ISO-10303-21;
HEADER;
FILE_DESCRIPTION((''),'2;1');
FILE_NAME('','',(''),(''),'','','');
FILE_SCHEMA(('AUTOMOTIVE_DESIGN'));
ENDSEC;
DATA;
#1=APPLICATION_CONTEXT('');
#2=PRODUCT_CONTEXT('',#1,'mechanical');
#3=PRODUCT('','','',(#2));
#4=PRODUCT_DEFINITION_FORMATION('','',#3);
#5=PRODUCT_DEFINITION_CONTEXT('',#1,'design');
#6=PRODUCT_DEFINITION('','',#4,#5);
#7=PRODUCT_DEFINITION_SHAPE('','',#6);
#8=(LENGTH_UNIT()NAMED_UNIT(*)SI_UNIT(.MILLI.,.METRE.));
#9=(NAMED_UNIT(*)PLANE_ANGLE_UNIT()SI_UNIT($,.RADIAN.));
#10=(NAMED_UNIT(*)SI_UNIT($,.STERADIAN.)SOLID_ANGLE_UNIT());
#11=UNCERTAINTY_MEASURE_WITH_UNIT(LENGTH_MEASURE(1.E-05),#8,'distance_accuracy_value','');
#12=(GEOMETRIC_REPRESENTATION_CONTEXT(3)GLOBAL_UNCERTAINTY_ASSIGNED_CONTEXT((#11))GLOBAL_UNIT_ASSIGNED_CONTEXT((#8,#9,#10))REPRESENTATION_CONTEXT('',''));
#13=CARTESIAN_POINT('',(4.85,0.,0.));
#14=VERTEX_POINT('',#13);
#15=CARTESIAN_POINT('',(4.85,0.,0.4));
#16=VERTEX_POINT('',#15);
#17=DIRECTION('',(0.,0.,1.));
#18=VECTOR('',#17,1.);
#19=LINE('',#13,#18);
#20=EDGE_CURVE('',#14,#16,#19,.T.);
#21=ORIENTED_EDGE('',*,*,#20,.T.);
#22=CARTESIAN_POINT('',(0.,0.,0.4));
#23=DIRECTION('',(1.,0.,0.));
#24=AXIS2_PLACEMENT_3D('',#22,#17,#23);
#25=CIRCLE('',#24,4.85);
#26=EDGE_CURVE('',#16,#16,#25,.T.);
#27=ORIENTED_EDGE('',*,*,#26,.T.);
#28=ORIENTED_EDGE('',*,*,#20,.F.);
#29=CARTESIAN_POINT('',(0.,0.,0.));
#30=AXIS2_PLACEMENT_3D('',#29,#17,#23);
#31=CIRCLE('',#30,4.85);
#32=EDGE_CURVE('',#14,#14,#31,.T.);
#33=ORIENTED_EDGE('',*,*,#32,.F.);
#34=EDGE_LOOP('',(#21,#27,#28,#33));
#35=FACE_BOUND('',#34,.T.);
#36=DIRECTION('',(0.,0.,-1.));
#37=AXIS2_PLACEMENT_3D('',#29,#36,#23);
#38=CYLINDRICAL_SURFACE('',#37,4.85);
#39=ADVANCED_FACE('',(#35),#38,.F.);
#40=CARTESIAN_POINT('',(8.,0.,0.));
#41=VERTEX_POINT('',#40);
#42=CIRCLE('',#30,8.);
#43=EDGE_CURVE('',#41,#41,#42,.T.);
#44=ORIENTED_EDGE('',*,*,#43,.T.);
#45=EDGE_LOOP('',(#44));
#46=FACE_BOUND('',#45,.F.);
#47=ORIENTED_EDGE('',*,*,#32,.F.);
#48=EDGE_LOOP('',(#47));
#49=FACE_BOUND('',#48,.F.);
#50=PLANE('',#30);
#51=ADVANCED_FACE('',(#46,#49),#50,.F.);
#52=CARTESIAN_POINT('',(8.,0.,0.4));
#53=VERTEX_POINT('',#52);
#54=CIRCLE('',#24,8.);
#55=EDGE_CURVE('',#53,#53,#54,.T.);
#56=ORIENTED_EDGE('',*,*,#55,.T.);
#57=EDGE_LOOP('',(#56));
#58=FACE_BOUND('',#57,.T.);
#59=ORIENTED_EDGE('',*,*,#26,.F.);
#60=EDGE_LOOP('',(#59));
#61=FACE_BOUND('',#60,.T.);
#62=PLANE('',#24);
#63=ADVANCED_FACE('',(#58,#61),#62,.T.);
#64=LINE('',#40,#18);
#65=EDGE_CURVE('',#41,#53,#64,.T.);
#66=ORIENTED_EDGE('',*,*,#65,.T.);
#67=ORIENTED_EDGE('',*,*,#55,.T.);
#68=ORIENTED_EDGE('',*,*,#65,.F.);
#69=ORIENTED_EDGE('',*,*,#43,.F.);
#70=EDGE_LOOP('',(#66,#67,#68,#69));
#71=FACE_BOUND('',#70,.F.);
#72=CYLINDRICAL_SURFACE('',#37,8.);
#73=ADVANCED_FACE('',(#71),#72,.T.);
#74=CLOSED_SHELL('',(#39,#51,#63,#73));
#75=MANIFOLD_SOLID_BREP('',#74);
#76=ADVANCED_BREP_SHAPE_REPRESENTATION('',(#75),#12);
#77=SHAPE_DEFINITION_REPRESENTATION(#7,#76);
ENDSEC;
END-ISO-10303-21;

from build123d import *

# Parameters (mm, degrees)
SKETCH_R   = 8
SKETCH_R_2 = 4.85
PAD_DEPTH  = 0.4


with BuildPart() as part:
    # Sketch → Pad (new body)
    with BuildSketch(Plane.XY):
        Circle(SKETCH_R)
        Circle(SKETCH_R_2, mode=Mode.SUBTRACT)
    extrude(amount=PAD_DEPTH)


solid = part.part
